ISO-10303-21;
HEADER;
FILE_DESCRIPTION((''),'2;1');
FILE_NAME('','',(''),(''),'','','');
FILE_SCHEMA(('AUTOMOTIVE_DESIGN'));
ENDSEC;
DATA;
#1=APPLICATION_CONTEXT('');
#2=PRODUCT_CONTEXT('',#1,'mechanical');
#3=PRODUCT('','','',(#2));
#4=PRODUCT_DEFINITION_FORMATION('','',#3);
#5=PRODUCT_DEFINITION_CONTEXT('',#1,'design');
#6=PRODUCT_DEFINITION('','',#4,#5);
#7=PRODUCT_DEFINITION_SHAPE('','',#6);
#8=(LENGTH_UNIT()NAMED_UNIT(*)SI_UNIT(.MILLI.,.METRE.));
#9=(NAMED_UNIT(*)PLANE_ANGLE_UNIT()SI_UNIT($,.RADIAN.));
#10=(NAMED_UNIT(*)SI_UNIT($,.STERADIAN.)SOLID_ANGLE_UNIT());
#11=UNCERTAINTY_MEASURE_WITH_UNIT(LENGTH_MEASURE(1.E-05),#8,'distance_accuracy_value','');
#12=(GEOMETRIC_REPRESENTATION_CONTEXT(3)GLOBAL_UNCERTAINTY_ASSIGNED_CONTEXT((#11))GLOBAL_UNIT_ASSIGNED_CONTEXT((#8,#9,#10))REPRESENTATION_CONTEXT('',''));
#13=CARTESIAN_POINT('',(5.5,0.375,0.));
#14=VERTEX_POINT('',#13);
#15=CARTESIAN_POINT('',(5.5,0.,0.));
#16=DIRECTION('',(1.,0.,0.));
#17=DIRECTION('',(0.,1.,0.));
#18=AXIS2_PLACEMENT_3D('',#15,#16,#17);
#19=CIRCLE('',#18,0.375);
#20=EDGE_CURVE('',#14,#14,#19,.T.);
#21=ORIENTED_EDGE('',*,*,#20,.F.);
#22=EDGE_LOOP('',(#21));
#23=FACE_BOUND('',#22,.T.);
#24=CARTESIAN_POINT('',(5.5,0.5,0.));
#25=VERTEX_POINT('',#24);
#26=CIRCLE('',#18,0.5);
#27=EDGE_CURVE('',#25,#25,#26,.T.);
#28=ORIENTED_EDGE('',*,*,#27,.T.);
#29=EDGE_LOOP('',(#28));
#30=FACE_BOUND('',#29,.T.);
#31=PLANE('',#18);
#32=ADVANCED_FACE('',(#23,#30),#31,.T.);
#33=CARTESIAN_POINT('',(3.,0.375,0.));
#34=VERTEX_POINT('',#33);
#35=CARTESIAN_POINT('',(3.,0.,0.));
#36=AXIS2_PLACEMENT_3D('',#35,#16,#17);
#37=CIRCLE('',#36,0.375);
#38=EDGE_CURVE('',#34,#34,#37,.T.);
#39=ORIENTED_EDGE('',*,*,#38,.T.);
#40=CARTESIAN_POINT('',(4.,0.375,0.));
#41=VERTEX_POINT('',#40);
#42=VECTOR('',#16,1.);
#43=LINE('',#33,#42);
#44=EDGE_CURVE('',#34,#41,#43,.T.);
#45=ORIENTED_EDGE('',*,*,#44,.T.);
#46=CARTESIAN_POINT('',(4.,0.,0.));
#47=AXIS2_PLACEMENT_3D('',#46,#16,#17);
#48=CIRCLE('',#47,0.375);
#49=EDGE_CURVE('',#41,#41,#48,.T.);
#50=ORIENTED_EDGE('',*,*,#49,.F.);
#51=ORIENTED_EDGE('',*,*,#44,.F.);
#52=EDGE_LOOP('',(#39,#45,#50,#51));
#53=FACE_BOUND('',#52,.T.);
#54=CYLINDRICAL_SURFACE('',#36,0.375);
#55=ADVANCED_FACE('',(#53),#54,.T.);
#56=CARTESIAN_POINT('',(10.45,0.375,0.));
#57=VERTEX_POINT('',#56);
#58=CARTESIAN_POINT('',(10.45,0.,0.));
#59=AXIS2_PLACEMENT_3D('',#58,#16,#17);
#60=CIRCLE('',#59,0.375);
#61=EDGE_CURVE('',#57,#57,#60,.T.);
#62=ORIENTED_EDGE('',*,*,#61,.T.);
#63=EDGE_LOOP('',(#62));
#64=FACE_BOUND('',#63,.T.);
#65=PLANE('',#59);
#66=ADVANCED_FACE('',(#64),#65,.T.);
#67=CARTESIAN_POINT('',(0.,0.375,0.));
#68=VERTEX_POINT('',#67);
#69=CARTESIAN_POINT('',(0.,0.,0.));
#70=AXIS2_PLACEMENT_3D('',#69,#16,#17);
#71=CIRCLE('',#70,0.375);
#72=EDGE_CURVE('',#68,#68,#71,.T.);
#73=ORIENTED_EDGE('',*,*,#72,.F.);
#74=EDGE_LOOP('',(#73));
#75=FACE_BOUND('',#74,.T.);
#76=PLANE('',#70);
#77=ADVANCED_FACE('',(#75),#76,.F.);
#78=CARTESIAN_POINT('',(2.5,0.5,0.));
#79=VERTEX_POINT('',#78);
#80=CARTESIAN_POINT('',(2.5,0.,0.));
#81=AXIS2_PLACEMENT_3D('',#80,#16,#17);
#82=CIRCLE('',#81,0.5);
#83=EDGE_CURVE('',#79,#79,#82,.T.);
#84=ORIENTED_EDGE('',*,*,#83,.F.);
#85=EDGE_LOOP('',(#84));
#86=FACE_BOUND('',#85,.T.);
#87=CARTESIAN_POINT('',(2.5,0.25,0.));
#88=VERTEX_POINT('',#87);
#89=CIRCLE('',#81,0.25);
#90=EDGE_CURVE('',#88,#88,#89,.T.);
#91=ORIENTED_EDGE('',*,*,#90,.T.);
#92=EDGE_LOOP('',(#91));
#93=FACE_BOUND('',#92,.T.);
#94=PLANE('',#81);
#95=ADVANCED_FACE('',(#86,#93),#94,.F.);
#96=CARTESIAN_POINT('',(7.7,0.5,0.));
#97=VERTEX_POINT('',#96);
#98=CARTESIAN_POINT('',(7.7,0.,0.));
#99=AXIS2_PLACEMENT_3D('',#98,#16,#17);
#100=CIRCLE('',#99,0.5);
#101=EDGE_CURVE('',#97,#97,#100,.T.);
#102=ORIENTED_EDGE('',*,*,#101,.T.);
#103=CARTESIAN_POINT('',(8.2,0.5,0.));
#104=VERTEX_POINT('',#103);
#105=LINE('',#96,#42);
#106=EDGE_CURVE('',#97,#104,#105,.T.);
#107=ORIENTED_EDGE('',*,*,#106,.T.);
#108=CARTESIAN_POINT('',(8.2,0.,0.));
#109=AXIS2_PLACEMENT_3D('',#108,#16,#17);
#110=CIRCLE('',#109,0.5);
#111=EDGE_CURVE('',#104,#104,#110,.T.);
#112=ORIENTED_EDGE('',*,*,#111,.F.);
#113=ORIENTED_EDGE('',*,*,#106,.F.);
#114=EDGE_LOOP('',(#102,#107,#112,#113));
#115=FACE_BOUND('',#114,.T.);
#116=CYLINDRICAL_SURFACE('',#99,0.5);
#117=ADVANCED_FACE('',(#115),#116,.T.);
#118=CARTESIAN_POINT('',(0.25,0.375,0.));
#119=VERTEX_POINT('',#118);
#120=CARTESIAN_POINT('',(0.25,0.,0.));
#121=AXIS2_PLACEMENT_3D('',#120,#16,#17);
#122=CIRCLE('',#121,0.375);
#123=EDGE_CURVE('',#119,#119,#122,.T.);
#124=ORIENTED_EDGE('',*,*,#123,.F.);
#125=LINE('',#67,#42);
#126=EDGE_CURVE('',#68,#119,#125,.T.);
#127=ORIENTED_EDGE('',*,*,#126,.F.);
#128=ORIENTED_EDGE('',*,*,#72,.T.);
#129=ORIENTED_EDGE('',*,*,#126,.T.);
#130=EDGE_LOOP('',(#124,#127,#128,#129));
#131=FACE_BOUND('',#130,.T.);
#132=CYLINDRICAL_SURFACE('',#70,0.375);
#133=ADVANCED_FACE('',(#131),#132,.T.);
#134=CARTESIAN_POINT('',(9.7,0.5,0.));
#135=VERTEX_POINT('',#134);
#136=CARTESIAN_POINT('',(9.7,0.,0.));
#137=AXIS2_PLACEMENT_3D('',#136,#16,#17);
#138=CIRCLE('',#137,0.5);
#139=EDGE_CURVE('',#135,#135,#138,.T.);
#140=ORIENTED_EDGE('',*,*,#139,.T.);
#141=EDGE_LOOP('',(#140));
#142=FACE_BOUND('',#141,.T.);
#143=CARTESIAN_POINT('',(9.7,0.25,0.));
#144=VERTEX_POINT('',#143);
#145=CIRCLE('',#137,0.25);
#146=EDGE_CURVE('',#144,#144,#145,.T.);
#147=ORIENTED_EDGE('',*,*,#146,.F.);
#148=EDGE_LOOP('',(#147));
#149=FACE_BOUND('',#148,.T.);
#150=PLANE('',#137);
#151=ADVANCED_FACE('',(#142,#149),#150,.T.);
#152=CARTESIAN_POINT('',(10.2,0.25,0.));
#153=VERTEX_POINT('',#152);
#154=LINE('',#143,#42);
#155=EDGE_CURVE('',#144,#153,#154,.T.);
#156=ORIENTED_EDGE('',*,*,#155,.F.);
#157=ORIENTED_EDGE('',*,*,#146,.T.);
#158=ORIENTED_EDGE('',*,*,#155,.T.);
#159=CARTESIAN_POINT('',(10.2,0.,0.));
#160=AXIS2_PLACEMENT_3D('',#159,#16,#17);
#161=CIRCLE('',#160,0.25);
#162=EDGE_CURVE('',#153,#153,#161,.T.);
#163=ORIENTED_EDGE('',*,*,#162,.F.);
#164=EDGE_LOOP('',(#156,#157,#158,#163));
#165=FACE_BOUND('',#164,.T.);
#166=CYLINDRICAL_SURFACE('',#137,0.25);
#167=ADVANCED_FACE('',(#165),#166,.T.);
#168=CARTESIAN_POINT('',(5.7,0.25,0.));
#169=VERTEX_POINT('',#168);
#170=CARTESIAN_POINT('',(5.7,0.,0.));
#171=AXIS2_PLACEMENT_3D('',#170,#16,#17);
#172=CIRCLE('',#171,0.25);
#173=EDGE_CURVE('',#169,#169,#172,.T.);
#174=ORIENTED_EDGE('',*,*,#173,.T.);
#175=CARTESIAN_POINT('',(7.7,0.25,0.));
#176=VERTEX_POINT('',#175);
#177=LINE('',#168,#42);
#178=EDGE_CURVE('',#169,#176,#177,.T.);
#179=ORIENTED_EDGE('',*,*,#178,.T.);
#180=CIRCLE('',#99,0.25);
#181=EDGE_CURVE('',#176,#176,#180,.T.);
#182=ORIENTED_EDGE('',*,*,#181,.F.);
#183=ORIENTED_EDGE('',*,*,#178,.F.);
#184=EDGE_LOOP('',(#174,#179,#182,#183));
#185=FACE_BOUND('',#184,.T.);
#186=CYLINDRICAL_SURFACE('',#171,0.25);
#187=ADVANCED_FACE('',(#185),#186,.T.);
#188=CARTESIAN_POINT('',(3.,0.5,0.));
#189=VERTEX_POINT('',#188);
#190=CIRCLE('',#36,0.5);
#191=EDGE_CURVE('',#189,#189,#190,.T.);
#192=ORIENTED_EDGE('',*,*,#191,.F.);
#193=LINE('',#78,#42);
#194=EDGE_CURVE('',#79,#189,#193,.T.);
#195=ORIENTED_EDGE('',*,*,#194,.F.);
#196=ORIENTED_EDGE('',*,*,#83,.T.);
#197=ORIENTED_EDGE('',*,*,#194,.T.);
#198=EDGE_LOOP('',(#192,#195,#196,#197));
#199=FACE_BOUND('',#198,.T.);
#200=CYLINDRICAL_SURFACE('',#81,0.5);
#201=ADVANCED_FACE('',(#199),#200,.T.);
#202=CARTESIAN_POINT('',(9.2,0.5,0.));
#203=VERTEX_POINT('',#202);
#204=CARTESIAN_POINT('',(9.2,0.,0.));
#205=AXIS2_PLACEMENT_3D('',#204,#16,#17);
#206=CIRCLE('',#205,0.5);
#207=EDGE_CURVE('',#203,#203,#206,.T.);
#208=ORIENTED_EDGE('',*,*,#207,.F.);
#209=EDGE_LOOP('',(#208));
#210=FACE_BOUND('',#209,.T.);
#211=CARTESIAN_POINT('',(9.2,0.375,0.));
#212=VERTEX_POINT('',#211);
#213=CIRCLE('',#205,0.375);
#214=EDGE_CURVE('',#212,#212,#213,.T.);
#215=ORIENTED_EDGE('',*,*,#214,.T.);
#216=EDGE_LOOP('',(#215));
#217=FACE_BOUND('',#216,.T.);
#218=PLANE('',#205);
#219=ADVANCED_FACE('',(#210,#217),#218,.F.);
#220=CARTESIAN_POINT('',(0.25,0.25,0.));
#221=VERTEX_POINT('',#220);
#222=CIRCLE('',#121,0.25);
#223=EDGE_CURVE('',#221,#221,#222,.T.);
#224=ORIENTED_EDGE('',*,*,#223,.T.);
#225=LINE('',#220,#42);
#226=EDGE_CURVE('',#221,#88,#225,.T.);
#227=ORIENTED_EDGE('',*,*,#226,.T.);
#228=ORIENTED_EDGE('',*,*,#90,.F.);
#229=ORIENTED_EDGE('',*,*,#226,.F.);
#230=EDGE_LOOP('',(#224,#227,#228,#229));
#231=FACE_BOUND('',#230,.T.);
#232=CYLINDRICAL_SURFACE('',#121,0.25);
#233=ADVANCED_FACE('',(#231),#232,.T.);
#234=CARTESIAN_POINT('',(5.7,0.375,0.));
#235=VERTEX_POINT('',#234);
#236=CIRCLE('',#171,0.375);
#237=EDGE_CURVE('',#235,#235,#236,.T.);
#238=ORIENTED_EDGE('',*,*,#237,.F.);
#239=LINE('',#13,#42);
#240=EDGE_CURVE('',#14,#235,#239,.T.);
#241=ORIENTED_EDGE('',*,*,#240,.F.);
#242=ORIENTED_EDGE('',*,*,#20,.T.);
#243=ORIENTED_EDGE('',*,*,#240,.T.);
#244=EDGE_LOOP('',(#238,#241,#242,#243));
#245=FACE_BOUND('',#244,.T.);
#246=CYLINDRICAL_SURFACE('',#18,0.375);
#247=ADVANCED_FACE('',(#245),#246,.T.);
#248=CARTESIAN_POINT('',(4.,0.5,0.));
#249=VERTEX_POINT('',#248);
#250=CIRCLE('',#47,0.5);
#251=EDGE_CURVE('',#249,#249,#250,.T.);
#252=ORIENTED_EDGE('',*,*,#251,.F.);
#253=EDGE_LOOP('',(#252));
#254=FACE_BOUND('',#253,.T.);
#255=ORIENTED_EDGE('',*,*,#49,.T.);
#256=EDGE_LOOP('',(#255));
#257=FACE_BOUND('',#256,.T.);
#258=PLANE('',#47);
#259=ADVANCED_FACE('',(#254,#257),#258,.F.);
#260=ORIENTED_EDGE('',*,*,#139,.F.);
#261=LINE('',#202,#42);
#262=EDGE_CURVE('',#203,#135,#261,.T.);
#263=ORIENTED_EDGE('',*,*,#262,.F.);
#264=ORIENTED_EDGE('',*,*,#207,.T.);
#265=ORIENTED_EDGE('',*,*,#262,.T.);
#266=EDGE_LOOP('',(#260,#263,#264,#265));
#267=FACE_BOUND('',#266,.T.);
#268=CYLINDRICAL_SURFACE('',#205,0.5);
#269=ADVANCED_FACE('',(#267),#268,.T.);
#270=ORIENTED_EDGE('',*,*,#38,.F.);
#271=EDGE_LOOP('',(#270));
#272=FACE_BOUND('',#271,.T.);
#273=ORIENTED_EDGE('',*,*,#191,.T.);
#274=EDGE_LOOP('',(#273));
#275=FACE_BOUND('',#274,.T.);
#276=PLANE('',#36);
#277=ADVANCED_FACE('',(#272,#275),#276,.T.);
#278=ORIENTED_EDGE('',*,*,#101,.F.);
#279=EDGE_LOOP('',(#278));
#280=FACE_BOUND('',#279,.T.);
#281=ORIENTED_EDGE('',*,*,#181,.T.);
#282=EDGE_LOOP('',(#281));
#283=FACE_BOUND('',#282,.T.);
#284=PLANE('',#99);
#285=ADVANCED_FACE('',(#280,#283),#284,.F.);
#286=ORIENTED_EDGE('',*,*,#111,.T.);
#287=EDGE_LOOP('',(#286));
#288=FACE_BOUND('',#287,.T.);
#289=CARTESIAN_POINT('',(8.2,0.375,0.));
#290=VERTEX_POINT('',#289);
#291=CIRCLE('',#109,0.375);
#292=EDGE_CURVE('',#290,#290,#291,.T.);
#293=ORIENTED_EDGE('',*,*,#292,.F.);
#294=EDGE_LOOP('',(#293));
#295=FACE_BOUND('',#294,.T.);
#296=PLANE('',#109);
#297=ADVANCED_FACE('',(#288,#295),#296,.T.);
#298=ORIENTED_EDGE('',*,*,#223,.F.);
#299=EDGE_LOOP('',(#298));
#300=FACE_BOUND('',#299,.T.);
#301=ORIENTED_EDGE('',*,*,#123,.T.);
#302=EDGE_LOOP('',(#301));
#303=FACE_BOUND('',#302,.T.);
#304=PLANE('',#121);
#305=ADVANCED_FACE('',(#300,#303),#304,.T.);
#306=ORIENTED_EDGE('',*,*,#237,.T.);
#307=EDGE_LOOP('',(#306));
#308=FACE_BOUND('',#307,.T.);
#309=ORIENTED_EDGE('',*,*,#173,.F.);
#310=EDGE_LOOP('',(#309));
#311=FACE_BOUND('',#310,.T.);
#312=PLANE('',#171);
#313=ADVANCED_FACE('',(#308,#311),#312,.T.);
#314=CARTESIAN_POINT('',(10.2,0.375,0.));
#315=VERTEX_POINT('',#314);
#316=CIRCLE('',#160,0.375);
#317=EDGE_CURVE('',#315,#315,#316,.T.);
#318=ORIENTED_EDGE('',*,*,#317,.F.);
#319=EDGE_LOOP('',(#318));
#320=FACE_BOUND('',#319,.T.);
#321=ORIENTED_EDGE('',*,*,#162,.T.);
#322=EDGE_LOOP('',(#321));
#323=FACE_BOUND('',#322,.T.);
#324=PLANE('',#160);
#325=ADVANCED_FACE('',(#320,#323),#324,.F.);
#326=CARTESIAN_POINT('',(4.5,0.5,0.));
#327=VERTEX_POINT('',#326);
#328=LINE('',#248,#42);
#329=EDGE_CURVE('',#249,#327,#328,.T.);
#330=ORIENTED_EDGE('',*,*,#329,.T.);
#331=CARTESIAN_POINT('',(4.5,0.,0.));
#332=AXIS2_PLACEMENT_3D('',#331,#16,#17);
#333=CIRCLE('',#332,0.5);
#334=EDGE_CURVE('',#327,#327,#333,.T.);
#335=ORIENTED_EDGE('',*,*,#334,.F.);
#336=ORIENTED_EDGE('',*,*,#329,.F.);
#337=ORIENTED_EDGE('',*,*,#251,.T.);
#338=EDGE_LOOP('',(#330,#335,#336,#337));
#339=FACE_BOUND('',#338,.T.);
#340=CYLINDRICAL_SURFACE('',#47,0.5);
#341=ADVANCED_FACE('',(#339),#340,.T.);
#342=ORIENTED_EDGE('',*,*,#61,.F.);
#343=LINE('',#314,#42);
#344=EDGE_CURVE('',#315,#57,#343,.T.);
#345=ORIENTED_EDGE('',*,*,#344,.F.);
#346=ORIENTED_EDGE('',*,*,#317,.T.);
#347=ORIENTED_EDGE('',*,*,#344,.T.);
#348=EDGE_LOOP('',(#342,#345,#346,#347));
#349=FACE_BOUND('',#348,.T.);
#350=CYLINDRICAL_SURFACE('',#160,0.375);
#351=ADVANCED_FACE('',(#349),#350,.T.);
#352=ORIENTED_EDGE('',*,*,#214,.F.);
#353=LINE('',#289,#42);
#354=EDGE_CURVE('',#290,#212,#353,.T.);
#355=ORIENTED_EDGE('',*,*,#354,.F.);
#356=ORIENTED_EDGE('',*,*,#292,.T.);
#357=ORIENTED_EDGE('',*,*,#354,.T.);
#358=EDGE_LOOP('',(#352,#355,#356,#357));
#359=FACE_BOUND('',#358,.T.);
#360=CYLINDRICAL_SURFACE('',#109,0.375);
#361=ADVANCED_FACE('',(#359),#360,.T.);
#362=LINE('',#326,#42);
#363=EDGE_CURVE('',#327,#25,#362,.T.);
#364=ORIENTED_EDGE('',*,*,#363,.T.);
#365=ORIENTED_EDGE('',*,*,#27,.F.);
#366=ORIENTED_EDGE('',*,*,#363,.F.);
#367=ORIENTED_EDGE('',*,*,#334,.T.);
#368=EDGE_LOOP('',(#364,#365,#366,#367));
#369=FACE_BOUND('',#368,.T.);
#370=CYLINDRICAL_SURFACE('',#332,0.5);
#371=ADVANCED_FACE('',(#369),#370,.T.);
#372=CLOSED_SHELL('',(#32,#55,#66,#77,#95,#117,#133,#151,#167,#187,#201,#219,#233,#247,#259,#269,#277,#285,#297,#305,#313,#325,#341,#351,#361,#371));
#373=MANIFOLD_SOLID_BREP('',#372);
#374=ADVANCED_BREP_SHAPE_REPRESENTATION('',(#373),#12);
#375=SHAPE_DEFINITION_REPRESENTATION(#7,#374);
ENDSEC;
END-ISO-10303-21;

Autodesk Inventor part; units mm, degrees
ref_plane "Start Plane" through (0, 0, 0) normal (1, 0, 0) x (0, 1, 0)
ref_plane "XZ Plane" through (0, 0, 0) normal (0, 1, 0) x (-1, 0, 0)
ref_plane "XY Plane" through (0, 0, 0) normal (0, 0, 1) x (1, 0, 0)
sketch "Main Sketch" plane through (0, 0, 0) normal (0, 0, 1) x (1, 0, 0)
  line L0 (0, 0) -> (10.45, 0)
  line L1 (0, 0) -> (0, 0.375)
  line L2 (0, 0.375) -> (0.25, 0.375)
  line L3 (4.5, 0.5) -> (5.5, 0.5)
  line L4 (5.5, 0.375) -> (5.7, 0.375)
  line L5 (5.7, 0.25) -> (7.7, 0.25)
  line L6 (7.7, 0.5) -> (8.2, 0.5)
  line L7 (9.7, 0.25) -> (10.2, 0.25)
  line L8 (10.45, 0.375) -> (10.45, 0)
  line L9 (10.2, 0.375) -> (10.45, 0.375)
  line L10 (10.2, 0.25) -> (10.2, 0.375)
  line L11 (7.7, 0.25) -> (7.7, 0.5)
  line L12 (8.2, 0.5) -> (8.2, 0.375)
  line L13 (5.5, 0.5) -> (5.5, 0.375)
  line L14 (5.7, 0.375) -> (5.7, 0.25)
  line L15 (2.5, 0.25) -> (2.5, 0.5)
  line L16 (2.5, 0.5) -> (3, 0.5)
  line L17 (0.25, 0.375) -> (0.25, 0.25)
  line L18 (0.25, 0.25) -> (2.5, 0.25)
  line L19 (8.2, 0.375) -> (9.2, 0.375)
  line L20 (9.2, 0.375) -> (9.2, 0.5)
  line L21 (9.7, 0.5) -> (9.7, 0.25)
  line L22 (9.2, 0.5) -> (9.7, 0.5)
  line L23 (3, 0.5) -> (3, 0.375)
  line L24 (3, 0.375) -> (4, 0.375)
  line L25 (4, 0.375) -> (4, 0.5)
  line L26 (4, 0.5) -> (4.5, 0.5)
  dimension "d3" = 0.75
  dimension "d4" = 1
  dimension "d5" = 0.75
  dimension "d6" = 0.5
  dimension "d7" = 1
  dimension "d8" = 0.5
  dimension "d9" = 0.75
  dimension "d13" = 1
  dimension "d14" = 0.5
  dimension "d15" = 0.75
  dimension "d16" = 1
  dimension "d17" = 0.75
  dimension "d18" = 1
revolve "Revolution1" add sketch "Main Sketch" angle 360 about axis through (0, 0, 0) along (1, 0, 0)
fillet "Fillet2" [suppressed]
equation "\"Length\" = 10.45"
properties part number "Shaft" material "Steel"
